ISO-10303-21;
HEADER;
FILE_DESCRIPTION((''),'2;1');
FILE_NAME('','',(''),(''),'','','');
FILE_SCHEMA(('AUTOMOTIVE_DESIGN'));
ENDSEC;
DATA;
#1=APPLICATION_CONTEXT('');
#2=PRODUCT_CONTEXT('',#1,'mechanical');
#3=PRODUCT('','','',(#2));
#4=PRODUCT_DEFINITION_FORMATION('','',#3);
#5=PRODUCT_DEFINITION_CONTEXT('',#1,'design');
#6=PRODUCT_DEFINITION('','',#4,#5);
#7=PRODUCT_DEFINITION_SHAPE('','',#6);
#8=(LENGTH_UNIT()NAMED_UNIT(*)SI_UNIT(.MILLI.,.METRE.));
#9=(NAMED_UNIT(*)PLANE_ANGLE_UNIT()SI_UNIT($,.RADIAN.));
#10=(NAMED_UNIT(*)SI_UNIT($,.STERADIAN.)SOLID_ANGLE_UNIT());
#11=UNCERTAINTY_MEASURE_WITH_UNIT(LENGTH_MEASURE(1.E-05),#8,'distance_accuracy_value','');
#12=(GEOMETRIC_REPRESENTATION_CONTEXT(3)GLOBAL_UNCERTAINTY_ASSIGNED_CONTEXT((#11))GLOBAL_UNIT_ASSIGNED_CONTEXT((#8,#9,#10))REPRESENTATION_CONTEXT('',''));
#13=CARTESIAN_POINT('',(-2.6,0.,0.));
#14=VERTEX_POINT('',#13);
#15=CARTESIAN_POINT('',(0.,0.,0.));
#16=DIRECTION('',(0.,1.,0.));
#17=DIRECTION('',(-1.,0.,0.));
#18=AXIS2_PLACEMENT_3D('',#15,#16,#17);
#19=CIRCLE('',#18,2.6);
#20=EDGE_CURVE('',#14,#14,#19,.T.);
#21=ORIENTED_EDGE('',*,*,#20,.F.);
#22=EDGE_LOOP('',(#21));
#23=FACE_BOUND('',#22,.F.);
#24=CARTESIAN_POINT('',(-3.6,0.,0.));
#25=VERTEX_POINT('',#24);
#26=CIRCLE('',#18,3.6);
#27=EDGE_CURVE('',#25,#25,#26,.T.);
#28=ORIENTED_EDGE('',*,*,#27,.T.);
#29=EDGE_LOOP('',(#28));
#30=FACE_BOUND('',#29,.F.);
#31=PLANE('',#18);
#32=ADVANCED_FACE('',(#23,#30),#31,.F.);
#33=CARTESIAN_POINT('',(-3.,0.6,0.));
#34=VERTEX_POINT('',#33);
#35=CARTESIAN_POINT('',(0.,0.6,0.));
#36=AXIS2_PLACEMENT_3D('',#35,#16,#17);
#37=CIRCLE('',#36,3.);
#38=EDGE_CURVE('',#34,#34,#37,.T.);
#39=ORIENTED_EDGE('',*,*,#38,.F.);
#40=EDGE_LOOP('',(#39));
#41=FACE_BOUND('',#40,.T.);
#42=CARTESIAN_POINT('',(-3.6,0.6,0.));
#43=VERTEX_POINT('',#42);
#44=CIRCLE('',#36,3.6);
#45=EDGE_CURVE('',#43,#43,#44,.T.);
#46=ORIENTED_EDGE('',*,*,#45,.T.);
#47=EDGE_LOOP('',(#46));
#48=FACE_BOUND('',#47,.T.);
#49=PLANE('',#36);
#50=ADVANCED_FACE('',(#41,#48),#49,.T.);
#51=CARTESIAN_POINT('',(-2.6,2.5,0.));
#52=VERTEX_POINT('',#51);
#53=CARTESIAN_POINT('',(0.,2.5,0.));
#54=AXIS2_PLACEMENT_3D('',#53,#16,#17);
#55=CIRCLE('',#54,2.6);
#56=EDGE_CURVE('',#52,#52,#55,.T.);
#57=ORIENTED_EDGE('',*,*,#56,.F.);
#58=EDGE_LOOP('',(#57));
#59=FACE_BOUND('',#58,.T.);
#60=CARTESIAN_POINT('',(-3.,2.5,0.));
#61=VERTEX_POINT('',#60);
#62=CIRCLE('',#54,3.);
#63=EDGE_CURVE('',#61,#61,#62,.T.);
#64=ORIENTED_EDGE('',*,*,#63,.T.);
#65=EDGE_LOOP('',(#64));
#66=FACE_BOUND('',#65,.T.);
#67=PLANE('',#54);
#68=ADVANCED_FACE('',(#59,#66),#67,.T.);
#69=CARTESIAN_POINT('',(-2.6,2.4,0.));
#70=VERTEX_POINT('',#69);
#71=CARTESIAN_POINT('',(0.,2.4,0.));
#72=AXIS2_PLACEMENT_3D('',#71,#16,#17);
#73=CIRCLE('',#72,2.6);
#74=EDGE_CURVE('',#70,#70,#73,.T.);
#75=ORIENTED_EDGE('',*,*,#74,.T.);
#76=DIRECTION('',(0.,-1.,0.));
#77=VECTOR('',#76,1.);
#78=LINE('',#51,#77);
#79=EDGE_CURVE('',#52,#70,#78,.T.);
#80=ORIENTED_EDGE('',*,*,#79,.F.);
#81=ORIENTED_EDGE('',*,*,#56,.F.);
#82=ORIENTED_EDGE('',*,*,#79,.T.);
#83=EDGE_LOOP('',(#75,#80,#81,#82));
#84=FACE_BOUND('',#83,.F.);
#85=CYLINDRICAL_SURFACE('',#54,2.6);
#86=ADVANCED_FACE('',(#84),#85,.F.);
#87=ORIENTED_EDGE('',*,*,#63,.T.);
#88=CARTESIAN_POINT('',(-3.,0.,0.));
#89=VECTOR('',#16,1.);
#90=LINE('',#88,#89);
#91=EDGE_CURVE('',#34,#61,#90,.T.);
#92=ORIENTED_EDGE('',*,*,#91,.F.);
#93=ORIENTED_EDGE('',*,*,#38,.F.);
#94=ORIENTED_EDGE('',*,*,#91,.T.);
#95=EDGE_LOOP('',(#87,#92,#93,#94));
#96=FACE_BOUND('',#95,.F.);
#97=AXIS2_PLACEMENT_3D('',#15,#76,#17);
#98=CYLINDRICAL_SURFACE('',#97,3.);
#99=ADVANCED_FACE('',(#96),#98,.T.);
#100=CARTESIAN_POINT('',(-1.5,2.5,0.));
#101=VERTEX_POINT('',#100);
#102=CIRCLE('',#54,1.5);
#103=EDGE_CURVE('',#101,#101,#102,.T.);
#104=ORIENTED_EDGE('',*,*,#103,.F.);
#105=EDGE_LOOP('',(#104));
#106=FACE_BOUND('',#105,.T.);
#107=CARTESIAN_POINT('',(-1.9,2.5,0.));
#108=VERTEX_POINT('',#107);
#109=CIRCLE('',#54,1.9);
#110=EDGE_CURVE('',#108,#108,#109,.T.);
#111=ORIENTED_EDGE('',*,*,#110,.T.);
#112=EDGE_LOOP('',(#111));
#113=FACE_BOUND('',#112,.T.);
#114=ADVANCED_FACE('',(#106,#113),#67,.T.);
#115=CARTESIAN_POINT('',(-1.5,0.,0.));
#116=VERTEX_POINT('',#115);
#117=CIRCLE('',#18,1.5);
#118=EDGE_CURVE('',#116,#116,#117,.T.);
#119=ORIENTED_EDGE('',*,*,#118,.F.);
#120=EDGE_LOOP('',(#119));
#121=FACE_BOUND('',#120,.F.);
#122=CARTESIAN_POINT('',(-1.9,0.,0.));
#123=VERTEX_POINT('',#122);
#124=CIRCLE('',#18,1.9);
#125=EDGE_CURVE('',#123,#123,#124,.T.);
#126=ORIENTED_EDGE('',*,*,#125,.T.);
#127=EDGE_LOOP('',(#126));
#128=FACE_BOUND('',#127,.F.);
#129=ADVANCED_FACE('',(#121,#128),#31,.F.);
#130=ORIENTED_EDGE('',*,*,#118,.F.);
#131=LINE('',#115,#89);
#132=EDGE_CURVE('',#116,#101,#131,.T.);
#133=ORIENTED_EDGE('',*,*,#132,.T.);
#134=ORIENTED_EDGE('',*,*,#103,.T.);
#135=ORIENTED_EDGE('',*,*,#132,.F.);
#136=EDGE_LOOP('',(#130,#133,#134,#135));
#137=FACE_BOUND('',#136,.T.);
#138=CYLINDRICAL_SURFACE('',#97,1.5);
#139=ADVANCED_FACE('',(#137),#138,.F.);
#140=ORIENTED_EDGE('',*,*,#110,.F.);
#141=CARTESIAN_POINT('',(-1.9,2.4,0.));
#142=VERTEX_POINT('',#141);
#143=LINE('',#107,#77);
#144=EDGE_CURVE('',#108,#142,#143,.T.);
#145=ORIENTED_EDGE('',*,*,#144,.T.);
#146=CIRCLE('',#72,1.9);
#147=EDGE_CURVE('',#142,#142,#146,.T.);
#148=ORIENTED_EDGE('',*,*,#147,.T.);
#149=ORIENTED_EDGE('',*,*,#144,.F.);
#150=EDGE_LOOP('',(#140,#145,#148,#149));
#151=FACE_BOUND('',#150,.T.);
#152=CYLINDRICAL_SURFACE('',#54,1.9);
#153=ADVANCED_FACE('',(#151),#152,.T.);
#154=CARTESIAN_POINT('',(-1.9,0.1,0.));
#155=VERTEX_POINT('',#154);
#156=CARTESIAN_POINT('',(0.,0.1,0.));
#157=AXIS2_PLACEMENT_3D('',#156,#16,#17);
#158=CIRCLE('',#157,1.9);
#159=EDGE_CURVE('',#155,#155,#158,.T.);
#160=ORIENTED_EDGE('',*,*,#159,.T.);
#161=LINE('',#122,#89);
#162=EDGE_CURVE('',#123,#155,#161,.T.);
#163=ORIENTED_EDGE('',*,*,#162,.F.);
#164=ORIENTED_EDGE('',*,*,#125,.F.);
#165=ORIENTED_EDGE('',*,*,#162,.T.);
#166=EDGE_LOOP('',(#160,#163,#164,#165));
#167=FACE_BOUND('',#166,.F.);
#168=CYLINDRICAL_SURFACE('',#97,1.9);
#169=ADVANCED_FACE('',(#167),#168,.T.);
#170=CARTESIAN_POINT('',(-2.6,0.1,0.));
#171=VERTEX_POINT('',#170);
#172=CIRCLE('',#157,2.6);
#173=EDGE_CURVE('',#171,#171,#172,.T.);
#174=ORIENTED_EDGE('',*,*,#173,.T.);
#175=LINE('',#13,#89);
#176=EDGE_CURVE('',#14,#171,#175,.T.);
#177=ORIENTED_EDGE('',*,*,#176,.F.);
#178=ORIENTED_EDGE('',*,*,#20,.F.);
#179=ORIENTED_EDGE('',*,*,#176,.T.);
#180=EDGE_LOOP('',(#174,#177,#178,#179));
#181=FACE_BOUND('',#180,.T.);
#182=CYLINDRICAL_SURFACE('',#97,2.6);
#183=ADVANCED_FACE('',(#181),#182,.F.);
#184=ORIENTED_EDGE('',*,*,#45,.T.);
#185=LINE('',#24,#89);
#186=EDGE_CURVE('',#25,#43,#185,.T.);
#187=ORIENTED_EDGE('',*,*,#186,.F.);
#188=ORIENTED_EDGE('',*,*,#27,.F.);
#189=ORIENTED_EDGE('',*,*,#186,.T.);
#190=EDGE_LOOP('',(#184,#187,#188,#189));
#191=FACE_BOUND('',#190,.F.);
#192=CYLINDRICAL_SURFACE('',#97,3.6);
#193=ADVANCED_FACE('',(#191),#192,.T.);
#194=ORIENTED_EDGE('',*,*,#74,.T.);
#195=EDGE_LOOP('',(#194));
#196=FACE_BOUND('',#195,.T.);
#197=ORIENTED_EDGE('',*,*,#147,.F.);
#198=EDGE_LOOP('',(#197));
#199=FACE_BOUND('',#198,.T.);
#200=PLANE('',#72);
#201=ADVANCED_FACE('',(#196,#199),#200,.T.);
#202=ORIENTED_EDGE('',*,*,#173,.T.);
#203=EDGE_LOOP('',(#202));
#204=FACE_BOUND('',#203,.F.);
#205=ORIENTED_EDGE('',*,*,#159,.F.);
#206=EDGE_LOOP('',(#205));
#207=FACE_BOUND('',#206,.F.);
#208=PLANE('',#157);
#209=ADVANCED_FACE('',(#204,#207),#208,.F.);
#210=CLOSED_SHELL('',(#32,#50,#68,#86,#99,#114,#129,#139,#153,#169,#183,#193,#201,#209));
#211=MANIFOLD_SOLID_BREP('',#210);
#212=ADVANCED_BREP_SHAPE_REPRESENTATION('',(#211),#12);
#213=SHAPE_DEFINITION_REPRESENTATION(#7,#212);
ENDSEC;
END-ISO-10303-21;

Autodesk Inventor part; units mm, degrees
ref_plane "YZ Plane" through (0, 0, 0) normal (1, 0, 0) x (0, 1, 0)
ref_plane "XZ Plane" through (0, 0, 0) normal (0, 1, 0) x (-1, 0, 0)
ref_plane "XY Plane" through (0, 0, 0) normal (0, 0, 1) x (1, 0, 0)
sketch "Sketch1" plane through (0, 0, 0) normal (0, 1, 0) x (-1, 0, 0)
  circle A0 centre (0, 0) radius 3
  circle A1 centre (0, 0) radius 1.5
  circle A2 centre (0, 0) radius 3.6
  circle A3 centre (0, 0) radius 1.9
  circle A4 centre (0, 0) radius 2.6
  dimension "d0" = 6
  dimension "d1" = 3
  dimension "d2" = 7.2
  dimension "d3" = 0.4
  dimension "d4" = 0.4
extrude "Extrusion1" add sketch "Sketch1" along normal blind 2.5 contours A0 | A3 | A4
extrude "Extrusion2" add sketch "Sketch1" along normal blind 0.6 contours A2
extrude "Extrusion3" cut sketch "Sketch1" along normal blind 0.1 contours A4
extrude "Extrusion4" cut sketch "Sketch1" against normal blind 0.1 from surface at 2.5 contours A4
properties part number "Miniatur Flanschkugellager MF 74 ZZ"
